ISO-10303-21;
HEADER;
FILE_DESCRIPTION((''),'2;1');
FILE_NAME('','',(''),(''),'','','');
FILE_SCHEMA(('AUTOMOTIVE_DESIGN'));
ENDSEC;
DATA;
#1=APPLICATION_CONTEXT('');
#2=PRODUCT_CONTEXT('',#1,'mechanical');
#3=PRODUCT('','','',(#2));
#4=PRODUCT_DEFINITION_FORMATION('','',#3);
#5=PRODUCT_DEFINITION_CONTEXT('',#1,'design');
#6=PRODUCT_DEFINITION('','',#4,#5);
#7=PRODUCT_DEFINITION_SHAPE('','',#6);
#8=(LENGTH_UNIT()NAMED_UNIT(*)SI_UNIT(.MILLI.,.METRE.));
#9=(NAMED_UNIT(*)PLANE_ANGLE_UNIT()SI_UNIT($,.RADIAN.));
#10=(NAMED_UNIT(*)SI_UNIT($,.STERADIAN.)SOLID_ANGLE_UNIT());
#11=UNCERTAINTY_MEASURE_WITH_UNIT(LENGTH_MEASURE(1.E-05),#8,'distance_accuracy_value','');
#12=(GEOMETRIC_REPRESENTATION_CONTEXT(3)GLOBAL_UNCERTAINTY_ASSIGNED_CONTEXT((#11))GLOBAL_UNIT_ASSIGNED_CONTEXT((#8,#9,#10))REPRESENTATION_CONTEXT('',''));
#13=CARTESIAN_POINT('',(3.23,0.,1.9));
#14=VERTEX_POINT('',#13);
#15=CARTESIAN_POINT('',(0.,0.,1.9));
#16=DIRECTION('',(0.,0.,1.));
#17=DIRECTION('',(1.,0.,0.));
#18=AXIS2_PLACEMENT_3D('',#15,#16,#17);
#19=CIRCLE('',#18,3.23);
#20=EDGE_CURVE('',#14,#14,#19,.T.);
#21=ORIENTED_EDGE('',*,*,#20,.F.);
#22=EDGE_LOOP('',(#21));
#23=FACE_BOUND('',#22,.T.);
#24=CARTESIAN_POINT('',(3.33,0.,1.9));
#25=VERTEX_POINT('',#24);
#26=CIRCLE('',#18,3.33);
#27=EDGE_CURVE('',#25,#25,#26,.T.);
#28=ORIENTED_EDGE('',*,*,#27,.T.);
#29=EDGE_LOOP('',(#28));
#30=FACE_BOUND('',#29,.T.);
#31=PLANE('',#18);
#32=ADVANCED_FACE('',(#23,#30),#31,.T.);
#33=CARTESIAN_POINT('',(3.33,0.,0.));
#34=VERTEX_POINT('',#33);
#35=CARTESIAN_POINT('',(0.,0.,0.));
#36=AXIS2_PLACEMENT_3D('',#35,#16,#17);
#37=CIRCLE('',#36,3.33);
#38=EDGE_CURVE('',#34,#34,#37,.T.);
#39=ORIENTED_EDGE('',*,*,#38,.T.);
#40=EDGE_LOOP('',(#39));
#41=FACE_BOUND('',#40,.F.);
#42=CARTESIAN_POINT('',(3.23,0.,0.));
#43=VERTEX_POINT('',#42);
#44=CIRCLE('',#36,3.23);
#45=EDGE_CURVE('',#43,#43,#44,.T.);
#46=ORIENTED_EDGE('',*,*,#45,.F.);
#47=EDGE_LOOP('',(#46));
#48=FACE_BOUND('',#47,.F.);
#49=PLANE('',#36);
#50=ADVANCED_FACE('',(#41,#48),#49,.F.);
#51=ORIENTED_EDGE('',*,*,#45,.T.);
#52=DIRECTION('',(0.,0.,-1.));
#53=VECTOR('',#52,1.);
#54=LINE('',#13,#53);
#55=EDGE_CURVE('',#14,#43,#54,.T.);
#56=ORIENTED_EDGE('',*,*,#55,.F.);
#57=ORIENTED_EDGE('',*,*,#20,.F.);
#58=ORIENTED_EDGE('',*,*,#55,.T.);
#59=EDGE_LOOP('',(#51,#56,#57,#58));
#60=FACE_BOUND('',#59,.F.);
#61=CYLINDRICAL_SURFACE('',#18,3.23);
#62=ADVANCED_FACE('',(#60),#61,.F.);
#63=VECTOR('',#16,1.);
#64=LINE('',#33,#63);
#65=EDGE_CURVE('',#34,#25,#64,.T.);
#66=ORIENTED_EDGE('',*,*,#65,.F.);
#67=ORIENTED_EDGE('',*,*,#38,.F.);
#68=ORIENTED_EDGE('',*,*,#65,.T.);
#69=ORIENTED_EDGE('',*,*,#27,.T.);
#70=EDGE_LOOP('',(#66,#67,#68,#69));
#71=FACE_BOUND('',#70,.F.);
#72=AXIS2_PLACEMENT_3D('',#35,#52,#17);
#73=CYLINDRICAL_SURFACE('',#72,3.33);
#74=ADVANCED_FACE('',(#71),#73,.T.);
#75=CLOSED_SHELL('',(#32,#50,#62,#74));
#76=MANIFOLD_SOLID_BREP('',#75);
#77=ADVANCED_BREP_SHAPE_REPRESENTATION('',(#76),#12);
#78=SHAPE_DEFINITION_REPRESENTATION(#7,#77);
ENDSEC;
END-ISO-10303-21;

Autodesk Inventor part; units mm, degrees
ref_plane "YZ Plane" through (0, 0, 0) normal (1, 0, 0) x (0, 1, 0)
ref_plane "XZ Plane" through (0, 0, 0) normal (0, 1, 0) x (-1, 0, 0)
ref_plane "XY Plane" through (0, 0, 0) normal (0, 0, 1) x (1, 0, 0)
sketch "Sketch1" plane through (0, 0, 0) normal (0, 0, 1) x (1, 0, 0)
  circle A0 centre (0, 0) radius 3.33
  dimension "d0" = 6.66
extrude "Extrusion1" add sketch "Sketch1" along normal blind 1.9
sketch "Sketch2" plane through (0, 0, 1.9) normal (0, 0, 1) x (1, 0, 0)
  circle A0 centre (0, 0) radius 3.23
  dimension "d3" = 6.46
extrude "Extrusion2" cut sketch "Sketch2" against normal through all
properties part number "CAPTURE_2"
